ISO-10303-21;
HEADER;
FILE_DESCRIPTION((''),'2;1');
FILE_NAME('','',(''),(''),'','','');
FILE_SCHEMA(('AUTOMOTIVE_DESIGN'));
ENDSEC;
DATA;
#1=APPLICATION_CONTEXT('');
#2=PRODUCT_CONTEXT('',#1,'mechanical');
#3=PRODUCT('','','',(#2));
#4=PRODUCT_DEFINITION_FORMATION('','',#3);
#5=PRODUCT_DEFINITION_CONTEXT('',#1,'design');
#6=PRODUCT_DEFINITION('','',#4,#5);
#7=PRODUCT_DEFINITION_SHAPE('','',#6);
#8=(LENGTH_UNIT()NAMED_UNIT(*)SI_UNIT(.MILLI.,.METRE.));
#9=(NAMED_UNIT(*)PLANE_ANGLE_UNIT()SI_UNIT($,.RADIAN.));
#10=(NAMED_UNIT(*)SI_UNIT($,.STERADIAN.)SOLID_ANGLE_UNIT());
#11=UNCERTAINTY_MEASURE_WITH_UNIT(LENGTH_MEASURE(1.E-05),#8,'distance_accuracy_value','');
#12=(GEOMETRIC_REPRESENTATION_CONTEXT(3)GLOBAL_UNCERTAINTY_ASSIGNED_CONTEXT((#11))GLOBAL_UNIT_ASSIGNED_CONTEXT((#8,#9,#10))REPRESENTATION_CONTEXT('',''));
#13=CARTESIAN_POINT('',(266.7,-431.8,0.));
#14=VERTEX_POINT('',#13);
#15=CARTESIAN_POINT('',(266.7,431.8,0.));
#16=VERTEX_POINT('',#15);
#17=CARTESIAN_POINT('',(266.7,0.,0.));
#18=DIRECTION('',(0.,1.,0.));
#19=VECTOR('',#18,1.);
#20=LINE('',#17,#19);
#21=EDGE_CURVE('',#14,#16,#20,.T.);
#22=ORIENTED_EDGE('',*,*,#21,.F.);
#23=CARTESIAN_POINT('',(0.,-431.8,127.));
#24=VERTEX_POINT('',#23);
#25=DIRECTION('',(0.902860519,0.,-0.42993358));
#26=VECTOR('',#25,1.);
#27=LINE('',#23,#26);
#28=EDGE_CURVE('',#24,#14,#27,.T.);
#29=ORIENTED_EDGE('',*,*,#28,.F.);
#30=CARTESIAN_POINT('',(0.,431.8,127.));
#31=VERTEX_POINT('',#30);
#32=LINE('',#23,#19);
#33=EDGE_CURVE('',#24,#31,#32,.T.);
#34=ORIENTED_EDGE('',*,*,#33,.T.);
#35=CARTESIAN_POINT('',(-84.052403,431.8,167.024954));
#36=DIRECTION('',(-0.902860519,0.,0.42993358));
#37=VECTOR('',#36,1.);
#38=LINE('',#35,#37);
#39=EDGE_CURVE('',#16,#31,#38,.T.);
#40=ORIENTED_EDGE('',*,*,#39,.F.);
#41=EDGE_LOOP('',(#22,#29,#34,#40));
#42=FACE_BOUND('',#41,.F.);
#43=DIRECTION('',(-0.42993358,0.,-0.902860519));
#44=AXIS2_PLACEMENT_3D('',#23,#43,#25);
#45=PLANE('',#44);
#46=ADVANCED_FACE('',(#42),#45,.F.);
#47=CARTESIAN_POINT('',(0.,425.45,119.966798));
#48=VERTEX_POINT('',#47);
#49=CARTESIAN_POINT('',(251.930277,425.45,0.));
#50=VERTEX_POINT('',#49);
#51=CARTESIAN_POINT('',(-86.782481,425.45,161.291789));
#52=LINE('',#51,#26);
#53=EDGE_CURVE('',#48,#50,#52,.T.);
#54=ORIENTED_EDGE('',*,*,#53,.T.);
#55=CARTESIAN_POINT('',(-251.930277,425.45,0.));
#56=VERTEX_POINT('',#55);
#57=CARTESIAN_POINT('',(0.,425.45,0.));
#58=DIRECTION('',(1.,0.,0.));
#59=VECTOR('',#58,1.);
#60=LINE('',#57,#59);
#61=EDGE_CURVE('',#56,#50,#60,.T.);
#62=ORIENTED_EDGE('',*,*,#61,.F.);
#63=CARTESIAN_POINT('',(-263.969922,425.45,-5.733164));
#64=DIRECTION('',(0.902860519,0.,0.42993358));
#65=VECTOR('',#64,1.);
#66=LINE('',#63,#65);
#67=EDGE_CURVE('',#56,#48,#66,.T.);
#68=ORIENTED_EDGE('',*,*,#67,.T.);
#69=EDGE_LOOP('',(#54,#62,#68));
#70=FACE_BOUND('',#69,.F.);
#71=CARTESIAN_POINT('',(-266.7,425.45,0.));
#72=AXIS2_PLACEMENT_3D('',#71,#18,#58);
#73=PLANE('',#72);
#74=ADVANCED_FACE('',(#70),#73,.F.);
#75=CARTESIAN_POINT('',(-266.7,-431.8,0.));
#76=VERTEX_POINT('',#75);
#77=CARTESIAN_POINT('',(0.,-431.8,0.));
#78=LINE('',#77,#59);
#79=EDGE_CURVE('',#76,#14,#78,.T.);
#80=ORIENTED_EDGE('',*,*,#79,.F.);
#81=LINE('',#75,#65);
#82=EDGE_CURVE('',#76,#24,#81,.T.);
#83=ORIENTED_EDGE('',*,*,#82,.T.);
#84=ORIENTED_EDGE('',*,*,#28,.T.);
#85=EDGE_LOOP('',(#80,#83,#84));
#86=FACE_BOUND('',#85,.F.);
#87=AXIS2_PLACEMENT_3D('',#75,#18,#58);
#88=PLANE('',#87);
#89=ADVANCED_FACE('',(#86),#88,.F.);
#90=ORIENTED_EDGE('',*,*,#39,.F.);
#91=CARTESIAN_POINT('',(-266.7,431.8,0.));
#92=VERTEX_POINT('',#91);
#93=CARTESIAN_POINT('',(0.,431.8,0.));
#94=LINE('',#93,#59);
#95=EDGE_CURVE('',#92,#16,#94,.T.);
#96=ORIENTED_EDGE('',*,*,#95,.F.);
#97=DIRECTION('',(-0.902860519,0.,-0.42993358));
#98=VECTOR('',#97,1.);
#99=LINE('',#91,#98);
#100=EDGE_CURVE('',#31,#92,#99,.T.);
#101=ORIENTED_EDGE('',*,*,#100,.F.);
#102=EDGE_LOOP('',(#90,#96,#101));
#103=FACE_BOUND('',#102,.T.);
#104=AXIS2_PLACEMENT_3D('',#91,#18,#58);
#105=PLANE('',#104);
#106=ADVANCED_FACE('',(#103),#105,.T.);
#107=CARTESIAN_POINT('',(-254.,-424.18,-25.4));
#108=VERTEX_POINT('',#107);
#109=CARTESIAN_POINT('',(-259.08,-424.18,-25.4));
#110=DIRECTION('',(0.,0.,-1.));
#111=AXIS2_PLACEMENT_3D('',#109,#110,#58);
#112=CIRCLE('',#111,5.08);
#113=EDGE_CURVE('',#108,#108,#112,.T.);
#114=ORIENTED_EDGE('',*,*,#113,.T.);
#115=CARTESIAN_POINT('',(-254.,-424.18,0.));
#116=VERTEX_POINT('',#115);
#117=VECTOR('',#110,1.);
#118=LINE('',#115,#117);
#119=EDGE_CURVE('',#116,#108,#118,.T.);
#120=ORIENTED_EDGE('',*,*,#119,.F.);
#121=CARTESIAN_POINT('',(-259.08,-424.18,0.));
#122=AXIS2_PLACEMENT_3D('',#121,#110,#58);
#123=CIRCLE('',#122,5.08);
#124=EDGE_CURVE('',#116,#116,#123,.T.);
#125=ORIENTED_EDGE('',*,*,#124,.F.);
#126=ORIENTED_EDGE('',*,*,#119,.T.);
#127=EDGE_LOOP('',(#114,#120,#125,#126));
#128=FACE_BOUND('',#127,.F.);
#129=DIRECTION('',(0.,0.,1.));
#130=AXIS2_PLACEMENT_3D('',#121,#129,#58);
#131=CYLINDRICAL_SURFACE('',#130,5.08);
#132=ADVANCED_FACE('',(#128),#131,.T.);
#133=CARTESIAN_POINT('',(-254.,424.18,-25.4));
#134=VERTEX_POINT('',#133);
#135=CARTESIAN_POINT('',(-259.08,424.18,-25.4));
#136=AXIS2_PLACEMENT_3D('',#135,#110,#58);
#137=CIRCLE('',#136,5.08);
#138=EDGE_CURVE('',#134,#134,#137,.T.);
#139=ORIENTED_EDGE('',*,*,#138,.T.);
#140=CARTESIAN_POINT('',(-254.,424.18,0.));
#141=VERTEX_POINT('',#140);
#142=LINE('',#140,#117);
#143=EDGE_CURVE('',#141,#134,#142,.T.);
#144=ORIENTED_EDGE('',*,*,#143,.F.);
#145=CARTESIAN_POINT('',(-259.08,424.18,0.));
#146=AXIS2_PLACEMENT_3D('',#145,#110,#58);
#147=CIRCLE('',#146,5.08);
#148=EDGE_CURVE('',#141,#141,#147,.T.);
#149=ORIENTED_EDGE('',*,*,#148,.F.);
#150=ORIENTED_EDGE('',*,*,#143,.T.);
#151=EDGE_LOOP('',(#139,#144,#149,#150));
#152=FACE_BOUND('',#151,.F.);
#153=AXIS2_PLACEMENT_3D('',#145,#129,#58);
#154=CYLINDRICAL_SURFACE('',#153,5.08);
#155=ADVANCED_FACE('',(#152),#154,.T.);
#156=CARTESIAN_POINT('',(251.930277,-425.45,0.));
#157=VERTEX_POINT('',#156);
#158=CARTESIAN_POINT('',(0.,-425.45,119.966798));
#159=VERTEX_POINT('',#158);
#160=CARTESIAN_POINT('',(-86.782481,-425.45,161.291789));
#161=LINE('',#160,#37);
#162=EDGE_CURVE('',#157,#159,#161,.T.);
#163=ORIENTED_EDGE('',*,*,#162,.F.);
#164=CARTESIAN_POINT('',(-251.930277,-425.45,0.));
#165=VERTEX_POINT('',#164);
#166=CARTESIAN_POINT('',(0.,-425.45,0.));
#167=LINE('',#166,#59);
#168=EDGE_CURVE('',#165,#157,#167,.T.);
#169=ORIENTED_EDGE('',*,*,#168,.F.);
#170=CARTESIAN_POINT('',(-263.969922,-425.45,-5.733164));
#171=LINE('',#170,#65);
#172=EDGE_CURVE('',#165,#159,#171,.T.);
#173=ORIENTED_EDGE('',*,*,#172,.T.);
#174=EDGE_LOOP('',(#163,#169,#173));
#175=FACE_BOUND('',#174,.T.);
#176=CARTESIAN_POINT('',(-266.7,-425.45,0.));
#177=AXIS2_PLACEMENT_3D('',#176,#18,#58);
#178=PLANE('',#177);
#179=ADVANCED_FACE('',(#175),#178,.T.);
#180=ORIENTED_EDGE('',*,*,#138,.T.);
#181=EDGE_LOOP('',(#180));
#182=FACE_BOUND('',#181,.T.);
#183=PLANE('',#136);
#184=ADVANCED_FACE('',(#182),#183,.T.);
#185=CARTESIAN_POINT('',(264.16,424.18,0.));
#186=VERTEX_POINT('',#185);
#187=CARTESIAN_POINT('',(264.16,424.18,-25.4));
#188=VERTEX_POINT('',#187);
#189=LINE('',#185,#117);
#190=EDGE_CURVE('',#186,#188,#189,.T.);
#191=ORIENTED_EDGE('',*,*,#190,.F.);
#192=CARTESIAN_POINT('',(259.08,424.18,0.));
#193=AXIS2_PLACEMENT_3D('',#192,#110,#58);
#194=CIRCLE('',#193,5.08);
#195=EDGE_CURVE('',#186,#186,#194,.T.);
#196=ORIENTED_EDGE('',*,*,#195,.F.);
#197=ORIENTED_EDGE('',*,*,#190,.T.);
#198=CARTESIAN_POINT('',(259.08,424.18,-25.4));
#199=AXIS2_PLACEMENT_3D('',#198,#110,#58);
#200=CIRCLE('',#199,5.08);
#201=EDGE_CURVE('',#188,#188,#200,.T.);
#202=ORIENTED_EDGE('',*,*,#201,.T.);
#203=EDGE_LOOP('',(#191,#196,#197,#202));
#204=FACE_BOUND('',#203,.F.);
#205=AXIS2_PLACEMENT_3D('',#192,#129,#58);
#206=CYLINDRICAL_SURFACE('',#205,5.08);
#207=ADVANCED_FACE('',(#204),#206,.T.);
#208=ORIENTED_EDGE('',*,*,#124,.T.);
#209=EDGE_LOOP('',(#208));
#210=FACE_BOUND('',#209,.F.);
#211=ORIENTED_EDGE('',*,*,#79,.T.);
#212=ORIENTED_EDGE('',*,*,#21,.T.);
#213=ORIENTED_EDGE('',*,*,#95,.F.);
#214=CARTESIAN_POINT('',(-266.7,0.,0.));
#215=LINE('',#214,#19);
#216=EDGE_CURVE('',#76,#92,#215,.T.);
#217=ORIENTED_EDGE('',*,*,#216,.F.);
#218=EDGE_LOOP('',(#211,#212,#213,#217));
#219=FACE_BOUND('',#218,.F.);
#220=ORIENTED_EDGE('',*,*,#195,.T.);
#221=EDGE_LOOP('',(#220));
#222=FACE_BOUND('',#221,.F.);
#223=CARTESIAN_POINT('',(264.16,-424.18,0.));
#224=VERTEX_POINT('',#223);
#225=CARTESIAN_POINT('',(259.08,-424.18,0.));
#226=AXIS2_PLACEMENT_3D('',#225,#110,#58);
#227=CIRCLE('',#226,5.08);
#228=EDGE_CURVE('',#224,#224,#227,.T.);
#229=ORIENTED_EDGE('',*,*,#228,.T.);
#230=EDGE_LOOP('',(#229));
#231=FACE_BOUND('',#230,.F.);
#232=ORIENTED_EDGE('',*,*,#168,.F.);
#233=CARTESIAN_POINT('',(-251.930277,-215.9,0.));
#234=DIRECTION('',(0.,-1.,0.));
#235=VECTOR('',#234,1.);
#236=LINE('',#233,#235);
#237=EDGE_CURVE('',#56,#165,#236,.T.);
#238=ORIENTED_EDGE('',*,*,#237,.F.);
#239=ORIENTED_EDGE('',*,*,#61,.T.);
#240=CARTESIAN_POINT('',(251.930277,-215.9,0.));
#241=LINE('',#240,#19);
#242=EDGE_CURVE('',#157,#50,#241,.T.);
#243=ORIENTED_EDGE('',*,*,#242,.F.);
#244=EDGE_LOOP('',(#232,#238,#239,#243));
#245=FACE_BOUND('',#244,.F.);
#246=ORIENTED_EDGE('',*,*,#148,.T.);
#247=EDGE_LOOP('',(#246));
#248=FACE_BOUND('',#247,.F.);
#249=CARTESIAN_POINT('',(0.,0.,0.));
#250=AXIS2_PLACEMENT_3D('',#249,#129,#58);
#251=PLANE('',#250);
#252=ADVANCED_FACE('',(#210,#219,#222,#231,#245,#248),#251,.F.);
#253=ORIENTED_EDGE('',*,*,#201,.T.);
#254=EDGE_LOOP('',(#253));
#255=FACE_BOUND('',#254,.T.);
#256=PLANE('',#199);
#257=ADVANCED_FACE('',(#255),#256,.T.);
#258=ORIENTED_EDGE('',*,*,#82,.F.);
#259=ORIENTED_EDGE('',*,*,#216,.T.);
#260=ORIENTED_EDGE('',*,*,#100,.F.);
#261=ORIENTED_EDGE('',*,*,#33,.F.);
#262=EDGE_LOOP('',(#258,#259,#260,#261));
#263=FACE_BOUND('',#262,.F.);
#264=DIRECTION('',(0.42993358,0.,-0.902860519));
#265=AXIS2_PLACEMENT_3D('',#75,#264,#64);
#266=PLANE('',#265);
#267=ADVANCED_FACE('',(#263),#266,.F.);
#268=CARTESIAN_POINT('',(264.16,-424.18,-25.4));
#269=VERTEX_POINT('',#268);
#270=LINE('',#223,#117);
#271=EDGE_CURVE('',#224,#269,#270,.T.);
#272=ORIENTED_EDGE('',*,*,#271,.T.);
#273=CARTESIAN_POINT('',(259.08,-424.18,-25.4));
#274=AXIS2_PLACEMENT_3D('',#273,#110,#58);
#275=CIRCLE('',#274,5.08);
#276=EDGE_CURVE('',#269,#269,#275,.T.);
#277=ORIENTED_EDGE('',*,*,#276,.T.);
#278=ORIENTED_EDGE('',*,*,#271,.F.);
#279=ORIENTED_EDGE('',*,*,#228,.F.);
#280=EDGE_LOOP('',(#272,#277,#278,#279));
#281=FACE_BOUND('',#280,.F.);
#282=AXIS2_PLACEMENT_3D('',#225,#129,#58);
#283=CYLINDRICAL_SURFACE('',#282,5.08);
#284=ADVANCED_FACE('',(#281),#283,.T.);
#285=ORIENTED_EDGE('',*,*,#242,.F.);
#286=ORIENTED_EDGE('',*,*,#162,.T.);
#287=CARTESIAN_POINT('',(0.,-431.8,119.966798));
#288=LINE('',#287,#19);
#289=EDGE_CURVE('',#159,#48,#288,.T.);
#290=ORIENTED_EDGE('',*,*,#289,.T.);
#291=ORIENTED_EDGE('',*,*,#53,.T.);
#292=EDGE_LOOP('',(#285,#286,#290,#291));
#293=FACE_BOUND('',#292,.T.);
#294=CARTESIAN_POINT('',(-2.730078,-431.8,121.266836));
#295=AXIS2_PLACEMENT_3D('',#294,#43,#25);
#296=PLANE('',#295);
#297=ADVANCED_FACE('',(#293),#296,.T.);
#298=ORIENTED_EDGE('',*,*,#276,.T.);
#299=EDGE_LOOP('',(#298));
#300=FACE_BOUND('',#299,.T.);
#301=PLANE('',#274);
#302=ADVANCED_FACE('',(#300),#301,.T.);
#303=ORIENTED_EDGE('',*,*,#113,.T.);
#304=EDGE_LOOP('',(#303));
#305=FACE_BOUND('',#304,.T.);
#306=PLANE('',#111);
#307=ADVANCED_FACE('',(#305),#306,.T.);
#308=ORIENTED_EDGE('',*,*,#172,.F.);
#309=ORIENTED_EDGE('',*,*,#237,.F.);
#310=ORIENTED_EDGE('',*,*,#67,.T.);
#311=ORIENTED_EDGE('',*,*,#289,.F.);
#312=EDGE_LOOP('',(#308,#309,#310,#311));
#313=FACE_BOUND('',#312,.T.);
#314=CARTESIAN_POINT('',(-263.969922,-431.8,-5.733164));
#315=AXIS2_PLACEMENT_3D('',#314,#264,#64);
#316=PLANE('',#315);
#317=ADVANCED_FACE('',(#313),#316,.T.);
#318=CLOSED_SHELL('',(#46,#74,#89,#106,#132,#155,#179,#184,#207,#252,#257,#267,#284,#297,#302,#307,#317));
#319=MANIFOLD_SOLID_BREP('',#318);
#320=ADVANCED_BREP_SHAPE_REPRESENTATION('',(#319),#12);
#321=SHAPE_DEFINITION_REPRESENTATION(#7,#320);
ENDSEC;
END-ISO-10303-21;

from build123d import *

# Parameters (mm, degrees)
F0_W     = 533.4
F0_H     = 863.6
F1_DEPTH = 127
F3_DEPTH = 2540
F4_T     = -6.35
F5_R     = 5.08
F6_DEPTH = 25.4


with BuildPart() as f1:
    # F0 (on Top) → F1 (new body)
    with BuildSketch(Plane.XY):
        Rectangle(F0_W, F0_H)
    extrude(amount=F1_DEPTH)

    # F2 (on face) → F3 (cut)
    with BuildSketch(Plane.XZ.offset(431.8)):
        Polygon((-266.7, 0), (0, 127), (-266.7, 127), align=None)
        Polygon((266.7, 127), (0, 127), (266.7, 0), align=None)
    extrude(amount=-F3_DEPTH, mode=Mode.SUBTRACT)

    # F4
    f4_openings = [f1.faces().sort_by_distance(p)[0] for p in [
        (0, 0, 0),
    ]]
    offset(amount=F4_T, openings=f4_openings)

    # F5 (on face) → F6 (join)
    with BuildSketch(Plane(origin=(0, 0, 0), x_dir=(1, 0, 0), z_dir=(0, 0, -1))):
        with Locations((-259.08, 424.18)):
            Circle(F5_R)
        with Locations((259.08, 424.18)):
            Circle(F5_R)
        with Locations((259.08, -424.18)):
            Circle(F5_R)
        with Locations((-259.08, -424.18)):
            Circle(F5_R)
    extrude(amount=F6_DEPTH)


solid = f1.part
